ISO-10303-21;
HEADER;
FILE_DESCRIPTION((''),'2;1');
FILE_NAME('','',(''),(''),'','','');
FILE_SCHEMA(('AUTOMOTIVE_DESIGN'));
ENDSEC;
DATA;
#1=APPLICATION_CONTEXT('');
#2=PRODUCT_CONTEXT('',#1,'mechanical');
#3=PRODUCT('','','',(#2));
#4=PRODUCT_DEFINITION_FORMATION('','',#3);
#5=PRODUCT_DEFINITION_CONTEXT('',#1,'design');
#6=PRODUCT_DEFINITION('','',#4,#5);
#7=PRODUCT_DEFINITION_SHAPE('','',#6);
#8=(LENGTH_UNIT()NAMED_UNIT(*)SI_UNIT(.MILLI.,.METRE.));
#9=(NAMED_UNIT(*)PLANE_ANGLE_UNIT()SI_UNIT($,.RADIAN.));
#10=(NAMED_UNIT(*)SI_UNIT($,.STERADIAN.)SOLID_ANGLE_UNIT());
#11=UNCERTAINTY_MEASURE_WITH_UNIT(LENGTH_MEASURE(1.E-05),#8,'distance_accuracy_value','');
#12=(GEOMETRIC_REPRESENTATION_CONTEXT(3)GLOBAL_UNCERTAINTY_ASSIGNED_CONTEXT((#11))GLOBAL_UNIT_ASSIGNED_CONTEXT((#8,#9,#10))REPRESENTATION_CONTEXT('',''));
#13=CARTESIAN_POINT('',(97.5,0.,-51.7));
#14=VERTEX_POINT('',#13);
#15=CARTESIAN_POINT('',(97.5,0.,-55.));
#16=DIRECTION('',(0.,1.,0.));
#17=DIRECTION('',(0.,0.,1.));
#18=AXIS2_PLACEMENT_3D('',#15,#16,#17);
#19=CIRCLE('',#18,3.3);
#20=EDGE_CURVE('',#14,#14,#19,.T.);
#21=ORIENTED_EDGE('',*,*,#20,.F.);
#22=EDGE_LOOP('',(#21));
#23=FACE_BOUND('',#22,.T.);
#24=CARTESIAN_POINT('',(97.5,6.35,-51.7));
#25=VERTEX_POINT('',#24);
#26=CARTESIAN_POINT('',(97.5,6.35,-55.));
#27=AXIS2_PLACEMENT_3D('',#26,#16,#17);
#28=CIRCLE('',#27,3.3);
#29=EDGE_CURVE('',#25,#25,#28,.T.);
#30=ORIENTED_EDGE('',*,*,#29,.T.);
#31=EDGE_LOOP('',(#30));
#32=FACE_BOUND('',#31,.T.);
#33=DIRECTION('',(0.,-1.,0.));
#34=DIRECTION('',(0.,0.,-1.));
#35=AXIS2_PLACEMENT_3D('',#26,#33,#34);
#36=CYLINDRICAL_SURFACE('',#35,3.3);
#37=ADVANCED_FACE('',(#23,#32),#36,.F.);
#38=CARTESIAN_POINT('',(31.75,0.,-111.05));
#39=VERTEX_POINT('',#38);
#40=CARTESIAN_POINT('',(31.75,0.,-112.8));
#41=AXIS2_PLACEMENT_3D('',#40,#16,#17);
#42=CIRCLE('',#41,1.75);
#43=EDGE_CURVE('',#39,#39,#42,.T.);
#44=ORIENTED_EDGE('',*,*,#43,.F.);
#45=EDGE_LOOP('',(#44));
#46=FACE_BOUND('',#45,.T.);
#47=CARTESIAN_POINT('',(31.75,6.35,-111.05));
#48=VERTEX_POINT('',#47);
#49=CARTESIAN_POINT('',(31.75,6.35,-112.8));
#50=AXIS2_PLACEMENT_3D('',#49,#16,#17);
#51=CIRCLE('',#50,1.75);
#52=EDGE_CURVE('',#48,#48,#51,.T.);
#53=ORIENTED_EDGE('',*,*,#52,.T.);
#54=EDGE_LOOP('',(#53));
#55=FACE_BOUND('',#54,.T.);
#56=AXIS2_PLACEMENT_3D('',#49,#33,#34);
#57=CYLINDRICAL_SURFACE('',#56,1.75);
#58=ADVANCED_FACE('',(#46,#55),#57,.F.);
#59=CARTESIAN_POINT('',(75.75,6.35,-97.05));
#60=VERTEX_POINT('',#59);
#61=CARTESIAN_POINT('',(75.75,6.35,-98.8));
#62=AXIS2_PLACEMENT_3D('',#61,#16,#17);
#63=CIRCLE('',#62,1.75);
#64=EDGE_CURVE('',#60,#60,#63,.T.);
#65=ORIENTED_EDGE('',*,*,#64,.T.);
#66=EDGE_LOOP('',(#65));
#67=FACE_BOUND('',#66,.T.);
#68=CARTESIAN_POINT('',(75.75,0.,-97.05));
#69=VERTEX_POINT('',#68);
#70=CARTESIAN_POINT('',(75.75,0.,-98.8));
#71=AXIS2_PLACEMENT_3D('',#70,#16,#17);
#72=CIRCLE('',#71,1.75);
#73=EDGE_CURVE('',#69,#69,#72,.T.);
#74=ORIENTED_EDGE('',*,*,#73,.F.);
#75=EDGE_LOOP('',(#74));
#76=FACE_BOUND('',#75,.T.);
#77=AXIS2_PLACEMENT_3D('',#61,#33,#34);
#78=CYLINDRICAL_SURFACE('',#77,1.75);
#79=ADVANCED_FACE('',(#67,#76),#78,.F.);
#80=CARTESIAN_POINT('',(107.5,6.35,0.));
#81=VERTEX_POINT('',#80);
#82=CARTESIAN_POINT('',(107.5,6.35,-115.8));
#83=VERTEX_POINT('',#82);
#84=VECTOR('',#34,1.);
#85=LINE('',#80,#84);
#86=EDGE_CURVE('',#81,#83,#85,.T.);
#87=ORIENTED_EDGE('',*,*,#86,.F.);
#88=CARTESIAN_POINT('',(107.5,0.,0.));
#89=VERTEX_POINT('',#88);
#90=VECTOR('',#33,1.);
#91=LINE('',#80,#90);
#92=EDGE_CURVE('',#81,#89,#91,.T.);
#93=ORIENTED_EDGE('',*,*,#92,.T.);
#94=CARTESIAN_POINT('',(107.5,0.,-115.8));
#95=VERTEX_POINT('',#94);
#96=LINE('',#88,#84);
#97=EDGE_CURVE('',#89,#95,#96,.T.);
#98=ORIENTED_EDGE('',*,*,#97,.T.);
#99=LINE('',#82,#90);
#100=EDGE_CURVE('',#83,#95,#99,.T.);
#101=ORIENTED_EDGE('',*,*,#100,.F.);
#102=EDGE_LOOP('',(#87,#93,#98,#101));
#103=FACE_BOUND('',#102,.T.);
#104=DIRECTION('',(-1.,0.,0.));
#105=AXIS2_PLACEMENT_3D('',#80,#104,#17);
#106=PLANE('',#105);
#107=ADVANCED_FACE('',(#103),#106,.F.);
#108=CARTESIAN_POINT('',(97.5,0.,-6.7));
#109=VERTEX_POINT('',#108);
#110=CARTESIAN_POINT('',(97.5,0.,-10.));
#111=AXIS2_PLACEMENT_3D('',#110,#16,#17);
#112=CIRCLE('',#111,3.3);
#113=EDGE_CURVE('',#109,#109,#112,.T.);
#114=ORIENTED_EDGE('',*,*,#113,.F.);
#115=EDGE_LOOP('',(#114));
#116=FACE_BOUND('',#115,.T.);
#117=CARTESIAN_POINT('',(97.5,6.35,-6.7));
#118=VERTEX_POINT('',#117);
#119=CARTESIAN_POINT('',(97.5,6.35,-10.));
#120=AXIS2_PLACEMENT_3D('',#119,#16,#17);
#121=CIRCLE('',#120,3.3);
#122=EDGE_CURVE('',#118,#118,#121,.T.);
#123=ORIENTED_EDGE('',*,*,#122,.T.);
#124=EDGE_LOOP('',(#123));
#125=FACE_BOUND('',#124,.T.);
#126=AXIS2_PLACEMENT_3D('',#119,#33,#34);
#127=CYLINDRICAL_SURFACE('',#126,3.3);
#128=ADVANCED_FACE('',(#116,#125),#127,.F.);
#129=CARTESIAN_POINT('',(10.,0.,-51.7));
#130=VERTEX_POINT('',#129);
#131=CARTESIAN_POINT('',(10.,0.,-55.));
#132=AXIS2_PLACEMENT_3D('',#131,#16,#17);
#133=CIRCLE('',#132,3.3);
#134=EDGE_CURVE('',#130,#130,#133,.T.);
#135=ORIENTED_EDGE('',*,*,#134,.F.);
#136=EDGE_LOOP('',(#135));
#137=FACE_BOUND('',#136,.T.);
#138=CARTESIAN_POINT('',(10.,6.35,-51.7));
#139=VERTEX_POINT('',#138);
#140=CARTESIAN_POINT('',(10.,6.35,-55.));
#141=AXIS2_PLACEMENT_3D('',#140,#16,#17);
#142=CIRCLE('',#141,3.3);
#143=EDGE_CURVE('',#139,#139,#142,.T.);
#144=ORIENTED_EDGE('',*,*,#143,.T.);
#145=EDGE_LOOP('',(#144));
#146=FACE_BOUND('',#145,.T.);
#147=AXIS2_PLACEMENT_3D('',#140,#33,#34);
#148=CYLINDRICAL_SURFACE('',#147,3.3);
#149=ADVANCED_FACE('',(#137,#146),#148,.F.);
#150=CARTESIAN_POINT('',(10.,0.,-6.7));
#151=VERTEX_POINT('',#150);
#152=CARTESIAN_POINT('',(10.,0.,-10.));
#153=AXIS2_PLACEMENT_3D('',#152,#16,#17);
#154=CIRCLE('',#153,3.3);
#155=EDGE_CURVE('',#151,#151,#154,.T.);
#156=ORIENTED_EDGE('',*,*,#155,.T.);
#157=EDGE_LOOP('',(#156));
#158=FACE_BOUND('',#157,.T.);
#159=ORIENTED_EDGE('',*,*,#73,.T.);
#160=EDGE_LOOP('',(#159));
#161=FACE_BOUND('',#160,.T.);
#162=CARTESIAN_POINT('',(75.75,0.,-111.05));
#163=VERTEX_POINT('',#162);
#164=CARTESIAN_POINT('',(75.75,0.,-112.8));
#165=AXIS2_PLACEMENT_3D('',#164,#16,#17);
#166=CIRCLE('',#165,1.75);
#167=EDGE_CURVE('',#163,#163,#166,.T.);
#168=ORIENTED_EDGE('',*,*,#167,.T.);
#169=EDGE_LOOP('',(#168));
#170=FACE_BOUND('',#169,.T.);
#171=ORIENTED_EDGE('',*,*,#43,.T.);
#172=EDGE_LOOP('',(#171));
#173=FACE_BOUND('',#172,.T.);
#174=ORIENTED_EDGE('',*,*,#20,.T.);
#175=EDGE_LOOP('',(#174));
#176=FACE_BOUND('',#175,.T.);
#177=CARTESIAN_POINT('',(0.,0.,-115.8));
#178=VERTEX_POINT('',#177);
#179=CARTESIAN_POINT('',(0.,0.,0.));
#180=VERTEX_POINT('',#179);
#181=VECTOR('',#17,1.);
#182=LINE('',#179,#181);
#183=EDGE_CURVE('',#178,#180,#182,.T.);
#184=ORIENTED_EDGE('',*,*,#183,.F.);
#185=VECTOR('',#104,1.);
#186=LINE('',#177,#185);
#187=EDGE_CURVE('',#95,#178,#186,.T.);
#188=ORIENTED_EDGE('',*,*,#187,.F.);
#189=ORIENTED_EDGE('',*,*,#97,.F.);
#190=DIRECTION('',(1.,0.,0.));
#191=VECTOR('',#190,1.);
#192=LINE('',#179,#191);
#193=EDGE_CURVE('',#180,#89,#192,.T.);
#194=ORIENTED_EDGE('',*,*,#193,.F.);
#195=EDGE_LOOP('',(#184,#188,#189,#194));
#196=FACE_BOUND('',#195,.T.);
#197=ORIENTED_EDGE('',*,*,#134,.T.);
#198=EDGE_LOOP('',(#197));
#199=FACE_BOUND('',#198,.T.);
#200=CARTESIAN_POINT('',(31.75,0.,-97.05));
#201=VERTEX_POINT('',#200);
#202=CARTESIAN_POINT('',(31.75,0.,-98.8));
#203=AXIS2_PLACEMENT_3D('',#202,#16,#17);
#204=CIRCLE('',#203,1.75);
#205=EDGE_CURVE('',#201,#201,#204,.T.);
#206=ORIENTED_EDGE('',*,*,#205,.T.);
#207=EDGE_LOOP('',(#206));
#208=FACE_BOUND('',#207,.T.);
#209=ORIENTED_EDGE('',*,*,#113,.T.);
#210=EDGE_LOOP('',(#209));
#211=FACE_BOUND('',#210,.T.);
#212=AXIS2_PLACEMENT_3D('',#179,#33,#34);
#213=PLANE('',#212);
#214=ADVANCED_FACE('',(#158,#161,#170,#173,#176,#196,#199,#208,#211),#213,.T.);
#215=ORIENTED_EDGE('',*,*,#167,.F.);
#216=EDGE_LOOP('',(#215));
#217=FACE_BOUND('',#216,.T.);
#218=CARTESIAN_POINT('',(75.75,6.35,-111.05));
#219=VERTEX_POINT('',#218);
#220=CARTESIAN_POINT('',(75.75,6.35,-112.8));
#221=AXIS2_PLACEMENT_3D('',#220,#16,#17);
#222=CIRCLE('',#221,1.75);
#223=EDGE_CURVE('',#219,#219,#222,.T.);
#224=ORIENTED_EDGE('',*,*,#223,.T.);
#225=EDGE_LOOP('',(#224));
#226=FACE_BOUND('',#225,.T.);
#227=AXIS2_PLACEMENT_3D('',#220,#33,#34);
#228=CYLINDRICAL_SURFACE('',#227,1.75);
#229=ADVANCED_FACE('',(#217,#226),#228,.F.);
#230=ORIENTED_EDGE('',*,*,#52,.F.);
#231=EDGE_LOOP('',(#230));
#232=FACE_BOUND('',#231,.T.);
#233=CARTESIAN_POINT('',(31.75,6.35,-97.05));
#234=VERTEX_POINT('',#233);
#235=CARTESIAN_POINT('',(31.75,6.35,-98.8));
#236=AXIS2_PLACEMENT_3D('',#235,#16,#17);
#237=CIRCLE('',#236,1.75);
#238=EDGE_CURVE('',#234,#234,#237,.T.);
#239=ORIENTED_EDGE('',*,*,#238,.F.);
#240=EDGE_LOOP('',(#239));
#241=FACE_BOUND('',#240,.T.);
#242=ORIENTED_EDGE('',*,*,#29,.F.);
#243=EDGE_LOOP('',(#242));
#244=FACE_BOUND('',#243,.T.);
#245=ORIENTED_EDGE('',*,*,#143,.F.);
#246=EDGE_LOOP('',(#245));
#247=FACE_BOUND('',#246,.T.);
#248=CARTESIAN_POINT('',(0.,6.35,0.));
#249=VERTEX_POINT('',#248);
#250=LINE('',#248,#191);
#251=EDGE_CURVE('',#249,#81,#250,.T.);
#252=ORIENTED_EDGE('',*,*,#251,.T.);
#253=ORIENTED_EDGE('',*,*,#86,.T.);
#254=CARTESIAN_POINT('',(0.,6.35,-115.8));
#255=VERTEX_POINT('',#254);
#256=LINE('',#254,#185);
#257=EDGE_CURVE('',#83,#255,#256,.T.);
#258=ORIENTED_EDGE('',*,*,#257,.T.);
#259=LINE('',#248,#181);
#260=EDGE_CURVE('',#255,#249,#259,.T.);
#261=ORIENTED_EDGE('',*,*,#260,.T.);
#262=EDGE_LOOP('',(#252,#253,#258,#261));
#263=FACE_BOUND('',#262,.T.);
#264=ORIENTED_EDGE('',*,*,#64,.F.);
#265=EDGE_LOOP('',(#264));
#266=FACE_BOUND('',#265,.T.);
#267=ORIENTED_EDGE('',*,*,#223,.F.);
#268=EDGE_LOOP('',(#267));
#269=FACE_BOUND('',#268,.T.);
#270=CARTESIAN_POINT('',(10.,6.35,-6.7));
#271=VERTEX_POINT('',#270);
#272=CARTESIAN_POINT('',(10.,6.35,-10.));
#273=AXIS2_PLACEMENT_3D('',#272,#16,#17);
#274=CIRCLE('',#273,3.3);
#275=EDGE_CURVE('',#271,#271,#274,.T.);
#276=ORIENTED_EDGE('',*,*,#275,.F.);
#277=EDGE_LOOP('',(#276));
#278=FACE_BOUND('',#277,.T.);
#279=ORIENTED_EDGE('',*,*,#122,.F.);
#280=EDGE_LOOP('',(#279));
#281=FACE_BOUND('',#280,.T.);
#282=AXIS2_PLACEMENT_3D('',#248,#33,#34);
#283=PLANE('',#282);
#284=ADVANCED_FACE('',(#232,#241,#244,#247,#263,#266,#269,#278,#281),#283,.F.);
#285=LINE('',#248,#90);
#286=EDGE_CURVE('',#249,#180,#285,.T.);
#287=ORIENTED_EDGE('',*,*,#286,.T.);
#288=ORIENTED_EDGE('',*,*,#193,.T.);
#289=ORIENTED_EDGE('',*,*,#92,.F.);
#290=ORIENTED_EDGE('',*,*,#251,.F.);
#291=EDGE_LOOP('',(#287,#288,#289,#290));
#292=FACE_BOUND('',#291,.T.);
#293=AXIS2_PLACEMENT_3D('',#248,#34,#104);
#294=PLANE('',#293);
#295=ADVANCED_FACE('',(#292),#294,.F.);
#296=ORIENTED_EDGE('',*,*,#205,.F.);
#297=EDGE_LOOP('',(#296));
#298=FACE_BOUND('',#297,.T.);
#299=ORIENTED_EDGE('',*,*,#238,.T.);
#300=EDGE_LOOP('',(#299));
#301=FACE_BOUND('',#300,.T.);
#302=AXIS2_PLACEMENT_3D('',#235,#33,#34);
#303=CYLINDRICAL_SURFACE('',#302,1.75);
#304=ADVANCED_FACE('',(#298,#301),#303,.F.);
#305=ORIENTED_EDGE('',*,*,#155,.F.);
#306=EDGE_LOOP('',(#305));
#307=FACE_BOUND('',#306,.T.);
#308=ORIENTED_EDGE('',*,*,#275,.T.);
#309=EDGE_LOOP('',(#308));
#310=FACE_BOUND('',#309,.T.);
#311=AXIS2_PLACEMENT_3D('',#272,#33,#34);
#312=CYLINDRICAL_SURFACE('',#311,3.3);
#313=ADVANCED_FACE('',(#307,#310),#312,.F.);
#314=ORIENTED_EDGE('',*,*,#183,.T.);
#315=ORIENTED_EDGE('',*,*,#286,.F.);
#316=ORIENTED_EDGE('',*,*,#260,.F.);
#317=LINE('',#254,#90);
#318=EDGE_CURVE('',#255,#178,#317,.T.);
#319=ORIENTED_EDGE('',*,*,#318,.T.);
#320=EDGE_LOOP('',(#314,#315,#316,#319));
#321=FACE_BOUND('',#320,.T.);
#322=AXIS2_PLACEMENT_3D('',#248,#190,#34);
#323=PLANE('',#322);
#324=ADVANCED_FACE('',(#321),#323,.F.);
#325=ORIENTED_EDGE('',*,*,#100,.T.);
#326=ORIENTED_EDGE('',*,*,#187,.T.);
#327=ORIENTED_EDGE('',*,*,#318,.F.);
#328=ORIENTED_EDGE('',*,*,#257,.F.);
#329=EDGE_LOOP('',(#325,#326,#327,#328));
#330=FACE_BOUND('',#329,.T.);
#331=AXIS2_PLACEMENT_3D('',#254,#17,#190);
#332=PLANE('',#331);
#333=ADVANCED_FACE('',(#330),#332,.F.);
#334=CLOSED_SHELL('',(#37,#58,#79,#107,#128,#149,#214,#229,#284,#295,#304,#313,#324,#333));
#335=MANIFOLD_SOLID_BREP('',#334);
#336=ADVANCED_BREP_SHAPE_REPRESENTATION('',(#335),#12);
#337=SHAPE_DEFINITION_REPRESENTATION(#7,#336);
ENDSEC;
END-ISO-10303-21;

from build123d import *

# Parameters (mm, degrees)
SKETCH1_W           = 107.5
SKETCH1_H           = 115.8
SKETCH1_R           = 1.75
SKETCH1_R_2         = 3.3
BOSS_EXTRUDE1_DEPTH = 6.35


with BuildPart() as part:
    # Sketch1 → Boss-Extrude1 (new body)
    with BuildSketch(Plane(origin=(0, 0, 0), x_dir=(1, 0, 0), z_dir=(0, 1, 0))):
        with Locations((53.75, 57.9)):
            Rectangle(SKETCH1_W, SKETCH1_H)
        with Locations((31.75, 112.8)):
            Circle(SKETCH1_R, mode=Mode.SUBTRACT)
        with Locations((75.75, 98.8)):
            Circle(SKETCH1_R, mode=Mode.SUBTRACT)
        with Locations((31.75, 98.8)):
            Circle(SKETCH1_R, mode=Mode.SUBTRACT)
        with Locations((75.75, 112.8)):
            Circle(SKETCH1_R, mode=Mode.SUBTRACT)
        with Locations((10, 55)):
            Circle(SKETCH1_R_2, mode=Mode.SUBTRACT)
        with Locations((97.5, 55)):
            Circle(SKETCH1_R_2, mode=Mode.SUBTRACT)
        with Locations((10, 10)):
            Circle(SKETCH1_R_2, mode=Mode.SUBTRACT)
        with Locations((97.5, 10)):
            Circle(SKETCH1_R_2, mode=Mode.SUBTRACT)
    extrude(amount=BOSS_EXTRUDE1_DEPTH)


solid = part.part
